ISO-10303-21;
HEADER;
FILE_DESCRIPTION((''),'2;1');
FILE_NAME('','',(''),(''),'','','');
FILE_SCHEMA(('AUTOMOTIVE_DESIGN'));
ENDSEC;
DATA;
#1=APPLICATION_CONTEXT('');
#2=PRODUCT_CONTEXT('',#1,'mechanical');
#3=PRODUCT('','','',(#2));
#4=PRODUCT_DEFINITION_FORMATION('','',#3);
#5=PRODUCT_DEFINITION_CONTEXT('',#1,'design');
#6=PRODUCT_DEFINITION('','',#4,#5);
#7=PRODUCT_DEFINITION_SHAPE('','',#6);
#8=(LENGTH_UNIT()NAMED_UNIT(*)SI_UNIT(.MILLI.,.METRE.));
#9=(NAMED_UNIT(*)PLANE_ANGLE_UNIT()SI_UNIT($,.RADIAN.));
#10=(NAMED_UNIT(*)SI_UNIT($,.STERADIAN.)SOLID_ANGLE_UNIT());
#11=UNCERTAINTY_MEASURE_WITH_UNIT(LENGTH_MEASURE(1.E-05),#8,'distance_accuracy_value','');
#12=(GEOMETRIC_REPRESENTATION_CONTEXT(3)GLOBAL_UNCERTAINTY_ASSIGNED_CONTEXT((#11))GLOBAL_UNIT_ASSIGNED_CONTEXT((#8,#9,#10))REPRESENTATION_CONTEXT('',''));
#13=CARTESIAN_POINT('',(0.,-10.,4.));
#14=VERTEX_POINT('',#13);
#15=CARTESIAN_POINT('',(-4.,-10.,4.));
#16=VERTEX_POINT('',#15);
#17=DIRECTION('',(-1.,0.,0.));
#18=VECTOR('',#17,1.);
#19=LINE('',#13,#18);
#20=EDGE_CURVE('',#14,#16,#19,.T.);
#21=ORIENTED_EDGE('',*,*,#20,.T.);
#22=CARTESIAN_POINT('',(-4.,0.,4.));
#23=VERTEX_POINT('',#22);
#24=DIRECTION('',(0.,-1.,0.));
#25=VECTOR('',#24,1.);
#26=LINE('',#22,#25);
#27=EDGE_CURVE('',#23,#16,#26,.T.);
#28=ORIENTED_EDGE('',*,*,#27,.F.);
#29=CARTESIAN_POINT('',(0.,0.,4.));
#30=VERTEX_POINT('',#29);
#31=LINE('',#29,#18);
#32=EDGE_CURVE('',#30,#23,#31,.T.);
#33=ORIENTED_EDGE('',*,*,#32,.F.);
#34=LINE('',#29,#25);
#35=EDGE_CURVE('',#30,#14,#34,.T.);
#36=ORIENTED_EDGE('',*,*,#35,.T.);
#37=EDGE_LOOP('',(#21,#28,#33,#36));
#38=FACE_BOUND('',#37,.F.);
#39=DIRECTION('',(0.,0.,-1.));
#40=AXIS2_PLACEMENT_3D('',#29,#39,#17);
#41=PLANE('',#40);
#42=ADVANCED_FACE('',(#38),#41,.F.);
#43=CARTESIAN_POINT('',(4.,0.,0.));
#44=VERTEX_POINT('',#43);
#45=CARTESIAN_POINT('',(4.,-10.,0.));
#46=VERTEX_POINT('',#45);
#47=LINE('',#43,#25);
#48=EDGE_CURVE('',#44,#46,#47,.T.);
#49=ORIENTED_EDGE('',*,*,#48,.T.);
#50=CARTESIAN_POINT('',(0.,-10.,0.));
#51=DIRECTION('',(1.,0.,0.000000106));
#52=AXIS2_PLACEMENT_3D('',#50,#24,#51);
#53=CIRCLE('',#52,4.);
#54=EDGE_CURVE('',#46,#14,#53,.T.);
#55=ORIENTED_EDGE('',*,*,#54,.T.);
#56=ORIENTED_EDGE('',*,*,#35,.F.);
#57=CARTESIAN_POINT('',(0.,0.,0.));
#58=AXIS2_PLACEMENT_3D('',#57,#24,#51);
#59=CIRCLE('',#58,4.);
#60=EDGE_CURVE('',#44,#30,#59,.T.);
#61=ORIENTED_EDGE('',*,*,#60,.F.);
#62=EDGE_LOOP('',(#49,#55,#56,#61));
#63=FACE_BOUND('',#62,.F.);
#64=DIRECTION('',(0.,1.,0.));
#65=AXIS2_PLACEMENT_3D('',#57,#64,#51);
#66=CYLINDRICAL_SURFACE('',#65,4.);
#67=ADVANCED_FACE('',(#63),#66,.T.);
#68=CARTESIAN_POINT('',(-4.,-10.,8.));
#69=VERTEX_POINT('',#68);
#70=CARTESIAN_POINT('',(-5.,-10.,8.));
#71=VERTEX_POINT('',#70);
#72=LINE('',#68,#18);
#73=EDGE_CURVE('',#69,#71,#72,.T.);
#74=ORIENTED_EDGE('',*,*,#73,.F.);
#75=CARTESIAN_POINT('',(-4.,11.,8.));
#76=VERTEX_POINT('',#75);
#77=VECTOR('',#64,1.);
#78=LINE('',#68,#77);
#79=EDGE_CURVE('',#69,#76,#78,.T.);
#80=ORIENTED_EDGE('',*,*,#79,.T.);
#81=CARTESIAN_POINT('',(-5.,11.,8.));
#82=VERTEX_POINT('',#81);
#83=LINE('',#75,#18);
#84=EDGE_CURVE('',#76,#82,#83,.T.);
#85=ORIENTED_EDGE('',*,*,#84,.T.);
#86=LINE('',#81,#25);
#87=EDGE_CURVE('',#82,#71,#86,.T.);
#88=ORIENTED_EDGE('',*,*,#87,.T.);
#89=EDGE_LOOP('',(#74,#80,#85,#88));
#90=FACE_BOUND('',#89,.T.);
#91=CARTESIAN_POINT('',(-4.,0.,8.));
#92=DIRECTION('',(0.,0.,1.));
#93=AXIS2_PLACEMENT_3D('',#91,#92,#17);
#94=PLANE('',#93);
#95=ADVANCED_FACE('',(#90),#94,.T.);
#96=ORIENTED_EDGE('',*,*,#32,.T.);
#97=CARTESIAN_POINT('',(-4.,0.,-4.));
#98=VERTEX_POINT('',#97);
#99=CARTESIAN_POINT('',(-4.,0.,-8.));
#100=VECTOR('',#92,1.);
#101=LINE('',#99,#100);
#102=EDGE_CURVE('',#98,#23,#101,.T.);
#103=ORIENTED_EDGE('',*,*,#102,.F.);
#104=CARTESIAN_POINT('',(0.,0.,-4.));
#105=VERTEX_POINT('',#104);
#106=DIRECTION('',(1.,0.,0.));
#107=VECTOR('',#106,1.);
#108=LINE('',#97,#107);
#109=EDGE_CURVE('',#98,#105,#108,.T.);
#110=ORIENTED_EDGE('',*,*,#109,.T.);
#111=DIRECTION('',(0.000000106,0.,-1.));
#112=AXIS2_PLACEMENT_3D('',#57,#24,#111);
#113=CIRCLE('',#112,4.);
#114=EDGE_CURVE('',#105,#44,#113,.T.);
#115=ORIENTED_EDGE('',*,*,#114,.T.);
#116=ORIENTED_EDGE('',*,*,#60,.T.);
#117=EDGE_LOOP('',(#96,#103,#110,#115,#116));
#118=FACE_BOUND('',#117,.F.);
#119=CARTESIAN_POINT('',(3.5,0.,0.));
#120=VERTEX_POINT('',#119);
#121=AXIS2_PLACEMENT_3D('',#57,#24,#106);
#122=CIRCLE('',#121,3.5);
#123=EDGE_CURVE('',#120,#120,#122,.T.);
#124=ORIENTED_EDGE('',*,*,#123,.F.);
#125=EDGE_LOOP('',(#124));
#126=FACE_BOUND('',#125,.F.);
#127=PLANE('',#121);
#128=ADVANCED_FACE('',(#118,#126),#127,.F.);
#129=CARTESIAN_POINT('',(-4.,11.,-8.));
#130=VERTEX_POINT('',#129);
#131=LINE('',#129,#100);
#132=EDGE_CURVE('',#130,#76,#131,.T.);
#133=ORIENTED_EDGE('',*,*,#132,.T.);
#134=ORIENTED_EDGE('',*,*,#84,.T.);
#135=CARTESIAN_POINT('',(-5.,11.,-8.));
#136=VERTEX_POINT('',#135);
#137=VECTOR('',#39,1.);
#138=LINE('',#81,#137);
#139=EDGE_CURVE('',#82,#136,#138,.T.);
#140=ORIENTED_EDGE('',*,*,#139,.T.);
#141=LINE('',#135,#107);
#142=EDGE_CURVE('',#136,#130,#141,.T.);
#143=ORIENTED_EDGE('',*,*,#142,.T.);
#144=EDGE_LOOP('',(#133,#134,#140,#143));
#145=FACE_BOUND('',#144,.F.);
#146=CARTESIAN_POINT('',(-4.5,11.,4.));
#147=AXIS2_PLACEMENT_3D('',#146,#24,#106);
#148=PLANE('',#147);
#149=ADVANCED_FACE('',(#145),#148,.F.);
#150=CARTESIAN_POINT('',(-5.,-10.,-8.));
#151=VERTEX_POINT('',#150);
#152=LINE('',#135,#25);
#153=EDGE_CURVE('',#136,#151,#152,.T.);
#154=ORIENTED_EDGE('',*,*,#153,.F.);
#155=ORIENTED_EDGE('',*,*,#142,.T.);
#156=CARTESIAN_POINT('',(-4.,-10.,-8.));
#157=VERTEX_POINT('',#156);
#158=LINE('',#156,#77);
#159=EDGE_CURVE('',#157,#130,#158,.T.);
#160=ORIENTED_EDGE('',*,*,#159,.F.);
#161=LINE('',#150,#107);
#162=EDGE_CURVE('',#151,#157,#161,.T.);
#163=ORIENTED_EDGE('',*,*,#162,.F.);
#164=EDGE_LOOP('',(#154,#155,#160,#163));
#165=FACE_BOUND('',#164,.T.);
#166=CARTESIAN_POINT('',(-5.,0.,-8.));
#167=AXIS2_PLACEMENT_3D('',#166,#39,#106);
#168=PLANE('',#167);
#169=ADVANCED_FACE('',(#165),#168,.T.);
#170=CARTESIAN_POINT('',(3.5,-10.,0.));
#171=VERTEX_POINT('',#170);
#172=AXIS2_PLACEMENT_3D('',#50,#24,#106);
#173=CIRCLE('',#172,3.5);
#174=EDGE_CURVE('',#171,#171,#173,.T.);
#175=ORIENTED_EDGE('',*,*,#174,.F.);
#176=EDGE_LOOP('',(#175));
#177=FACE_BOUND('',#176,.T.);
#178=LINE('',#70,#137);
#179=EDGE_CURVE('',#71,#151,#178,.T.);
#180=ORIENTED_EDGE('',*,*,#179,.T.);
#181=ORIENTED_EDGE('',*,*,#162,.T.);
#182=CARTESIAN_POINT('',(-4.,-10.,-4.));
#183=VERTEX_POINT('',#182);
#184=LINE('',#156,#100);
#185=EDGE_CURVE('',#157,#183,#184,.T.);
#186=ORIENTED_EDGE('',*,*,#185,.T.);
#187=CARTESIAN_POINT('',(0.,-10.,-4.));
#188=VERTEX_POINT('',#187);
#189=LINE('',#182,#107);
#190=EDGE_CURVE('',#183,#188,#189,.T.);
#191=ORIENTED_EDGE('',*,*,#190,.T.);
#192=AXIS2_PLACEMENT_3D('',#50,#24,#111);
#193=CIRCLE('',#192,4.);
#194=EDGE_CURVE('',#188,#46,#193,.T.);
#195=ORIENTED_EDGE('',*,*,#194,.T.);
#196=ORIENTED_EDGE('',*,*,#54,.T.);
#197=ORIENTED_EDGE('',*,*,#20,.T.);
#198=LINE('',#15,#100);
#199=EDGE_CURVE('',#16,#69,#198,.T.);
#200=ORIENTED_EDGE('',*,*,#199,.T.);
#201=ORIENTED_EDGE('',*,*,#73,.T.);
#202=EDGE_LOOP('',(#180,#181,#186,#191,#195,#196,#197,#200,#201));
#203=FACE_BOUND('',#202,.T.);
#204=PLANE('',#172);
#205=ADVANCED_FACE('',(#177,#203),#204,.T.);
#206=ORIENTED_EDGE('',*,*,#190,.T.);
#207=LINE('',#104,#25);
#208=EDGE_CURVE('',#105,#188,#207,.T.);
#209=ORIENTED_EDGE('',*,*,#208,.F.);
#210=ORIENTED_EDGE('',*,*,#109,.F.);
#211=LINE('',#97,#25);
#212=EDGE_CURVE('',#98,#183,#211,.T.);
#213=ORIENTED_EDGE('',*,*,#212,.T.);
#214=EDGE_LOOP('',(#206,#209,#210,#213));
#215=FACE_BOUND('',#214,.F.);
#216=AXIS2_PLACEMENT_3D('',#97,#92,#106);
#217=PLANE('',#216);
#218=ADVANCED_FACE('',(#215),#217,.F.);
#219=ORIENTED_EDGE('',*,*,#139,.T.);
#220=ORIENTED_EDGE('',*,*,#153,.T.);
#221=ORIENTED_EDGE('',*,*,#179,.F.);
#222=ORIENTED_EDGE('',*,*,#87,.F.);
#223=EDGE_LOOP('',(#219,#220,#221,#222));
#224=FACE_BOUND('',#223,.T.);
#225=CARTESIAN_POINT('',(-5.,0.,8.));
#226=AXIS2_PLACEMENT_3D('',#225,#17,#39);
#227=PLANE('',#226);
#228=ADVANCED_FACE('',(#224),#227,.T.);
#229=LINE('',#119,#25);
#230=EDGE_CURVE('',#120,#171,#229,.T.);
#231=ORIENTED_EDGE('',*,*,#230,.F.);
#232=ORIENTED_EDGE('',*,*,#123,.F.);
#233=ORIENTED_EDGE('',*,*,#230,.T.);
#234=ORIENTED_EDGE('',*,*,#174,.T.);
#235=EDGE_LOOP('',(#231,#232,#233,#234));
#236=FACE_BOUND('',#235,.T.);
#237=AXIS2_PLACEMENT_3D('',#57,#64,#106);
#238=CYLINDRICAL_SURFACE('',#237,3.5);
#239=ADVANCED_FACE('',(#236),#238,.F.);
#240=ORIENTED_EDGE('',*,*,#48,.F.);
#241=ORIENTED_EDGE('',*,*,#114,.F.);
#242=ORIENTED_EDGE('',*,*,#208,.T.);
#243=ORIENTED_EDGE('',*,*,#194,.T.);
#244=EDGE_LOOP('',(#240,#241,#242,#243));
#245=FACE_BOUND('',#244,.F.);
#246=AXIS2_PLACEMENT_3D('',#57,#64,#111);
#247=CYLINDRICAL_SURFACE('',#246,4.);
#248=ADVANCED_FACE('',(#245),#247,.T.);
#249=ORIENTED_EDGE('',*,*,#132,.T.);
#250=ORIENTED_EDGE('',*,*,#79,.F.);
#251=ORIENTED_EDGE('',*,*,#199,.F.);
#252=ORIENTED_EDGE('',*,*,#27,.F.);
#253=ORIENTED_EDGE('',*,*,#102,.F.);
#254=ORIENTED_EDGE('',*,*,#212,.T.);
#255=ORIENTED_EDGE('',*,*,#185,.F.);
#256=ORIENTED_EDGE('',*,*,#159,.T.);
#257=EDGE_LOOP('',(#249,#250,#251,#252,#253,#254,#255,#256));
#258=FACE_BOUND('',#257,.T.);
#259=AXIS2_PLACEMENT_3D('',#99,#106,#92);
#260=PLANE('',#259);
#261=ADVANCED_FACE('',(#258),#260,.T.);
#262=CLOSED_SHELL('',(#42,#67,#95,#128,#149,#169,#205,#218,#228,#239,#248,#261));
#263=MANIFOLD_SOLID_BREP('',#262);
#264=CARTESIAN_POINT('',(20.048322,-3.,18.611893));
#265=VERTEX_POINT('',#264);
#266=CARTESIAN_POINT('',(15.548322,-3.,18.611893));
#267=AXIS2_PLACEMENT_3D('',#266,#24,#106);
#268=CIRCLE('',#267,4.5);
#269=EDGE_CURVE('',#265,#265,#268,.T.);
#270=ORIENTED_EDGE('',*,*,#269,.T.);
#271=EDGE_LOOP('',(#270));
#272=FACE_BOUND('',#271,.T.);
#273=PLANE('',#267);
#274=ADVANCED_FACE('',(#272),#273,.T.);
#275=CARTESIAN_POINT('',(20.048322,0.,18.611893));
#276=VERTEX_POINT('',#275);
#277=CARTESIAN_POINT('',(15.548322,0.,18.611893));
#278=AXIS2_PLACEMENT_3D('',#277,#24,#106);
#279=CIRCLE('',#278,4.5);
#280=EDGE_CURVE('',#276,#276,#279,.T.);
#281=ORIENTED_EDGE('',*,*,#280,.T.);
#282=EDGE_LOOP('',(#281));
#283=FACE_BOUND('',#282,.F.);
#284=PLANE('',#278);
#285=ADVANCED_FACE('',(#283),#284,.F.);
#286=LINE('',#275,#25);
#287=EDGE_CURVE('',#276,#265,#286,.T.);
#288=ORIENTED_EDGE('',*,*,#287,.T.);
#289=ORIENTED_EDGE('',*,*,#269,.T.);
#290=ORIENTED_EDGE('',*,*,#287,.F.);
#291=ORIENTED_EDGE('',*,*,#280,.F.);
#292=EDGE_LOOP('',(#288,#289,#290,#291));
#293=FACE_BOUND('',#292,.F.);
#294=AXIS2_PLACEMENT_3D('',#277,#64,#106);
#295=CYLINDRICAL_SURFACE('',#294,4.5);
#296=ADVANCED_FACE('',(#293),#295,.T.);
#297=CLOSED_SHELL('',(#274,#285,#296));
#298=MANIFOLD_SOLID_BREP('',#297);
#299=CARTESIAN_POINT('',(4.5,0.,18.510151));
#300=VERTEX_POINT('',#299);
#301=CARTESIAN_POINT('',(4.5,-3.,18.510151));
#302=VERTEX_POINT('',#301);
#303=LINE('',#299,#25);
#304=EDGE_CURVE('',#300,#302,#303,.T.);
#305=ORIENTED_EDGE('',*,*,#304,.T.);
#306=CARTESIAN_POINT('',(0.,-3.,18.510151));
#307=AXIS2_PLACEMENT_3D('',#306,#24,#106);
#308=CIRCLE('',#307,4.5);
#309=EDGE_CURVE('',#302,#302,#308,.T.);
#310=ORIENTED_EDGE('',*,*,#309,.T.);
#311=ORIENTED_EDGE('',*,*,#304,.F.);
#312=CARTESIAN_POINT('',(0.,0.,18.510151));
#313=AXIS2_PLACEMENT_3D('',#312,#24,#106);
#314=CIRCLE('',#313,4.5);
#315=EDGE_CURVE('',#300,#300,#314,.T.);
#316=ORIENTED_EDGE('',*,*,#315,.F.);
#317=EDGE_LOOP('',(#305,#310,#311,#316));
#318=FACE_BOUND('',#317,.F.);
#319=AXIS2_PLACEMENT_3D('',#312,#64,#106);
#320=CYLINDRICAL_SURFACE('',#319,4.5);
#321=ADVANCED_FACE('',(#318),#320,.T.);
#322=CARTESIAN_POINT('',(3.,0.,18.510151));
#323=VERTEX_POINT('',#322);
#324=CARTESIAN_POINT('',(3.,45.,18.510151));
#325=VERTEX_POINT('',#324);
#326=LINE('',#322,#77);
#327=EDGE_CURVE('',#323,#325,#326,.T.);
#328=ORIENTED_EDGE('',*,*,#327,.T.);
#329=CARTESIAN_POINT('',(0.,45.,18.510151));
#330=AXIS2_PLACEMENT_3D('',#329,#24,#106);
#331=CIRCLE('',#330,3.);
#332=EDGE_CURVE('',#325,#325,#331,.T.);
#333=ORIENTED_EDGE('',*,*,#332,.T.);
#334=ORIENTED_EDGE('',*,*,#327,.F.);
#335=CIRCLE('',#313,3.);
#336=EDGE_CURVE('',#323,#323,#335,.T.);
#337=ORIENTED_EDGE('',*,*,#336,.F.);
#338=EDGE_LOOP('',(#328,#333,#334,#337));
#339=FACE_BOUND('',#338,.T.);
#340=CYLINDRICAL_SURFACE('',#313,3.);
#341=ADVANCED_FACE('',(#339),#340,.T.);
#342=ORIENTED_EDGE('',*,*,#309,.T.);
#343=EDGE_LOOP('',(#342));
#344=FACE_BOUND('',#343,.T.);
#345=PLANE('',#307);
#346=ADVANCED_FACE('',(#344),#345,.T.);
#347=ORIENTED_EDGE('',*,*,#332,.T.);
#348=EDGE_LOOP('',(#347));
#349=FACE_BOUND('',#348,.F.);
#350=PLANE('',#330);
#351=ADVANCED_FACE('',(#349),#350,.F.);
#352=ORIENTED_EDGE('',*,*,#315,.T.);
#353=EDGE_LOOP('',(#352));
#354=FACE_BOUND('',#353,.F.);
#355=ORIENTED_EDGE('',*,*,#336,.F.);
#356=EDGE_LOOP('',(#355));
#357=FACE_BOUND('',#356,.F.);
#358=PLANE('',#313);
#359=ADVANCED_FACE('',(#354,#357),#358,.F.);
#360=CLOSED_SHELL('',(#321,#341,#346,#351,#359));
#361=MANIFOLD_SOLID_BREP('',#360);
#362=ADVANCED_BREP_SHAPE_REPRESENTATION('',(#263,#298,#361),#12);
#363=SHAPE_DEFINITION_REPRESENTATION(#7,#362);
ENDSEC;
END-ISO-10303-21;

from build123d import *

# Parameters (mm, degrees)
F0_R     = 3.5
F1_DEPTH = 10
F2_DEPTH = 11
F3_R     = 4.5
F3_R_2   = 3
F4_DEPTH = 3
F5_DEPTH = 45


with BuildPart() as f1:
    # F0 (on Front) → F1 (new body)
    with BuildSketch(Plane.XZ):
        with BuildLine():
            ThreePointArc((0, -4), (2.828427, -2.828427), (4, 0))
            ThreePointArc((4, 0), (2.828427, 2.828427), (0, 4))
            ThreePointArc((0, 4), (-2.828427, 2.828427), (-4, 0))
            ThreePointArc((-4, 0), (-2.828427, -2.828427), (0, -4))
        make_face()
        Circle(F0_R, mode=Mode.SUBTRACT)
        with BuildLine():
            ThreePointArc((-4, 0), (-2.828427, 2.828427), (0, 4))
            Line((0, 4), (-4, 4))
            Line((-4, 4), (-4, 0))
        make_face()
        with BuildLine():
            Line((-4, -4), (0, -4))
            ThreePointArc((0, -4), (-2.828427, -2.828427), (-4, 0))
            Line((-4, 0), (-4, -4))
        make_face()
        Polygon((-4, -4), (-4, 0), (-5, 0), (-5, -8), (-4, -8), align=None)
        Polygon((-5, 0), (-4, 0), (-4, 4), (-4, 8), (-5, 8), align=None)
    extrude(amount=F1_DEPTH)

    # F0 (on Front) → F2 (join)
    with BuildSketch(Plane.XZ):
        Polygon((-5, 0), (-4, 0), (-4, 4), (-4, 8), (-5, 8), align=None)
        Polygon((-4, -4), (-4, 0), (-5, 0), (-5, -8), (-4, -8), align=None)
    extrude(amount=-F2_DEPTH)


with BuildPart() as f4:
    # F3 (on Front) → F4 (new body)
    with BuildSketch(Plane.XZ):
        with Locations((0, 18.510151)):
            Circle(F3_R)
        with Locations((0, 18.510151)):
            Circle(F3_R_2, mode=Mode.SUBTRACT)
        with Locations((15.548322, 18.611893)):
            Circle(F3_R)
        with Locations((0, 18.510151)):
            Circle(F3_R_2)
    extrude(amount=F4_DEPTH)

    # F3 (on Front) → F5 (join)
    with BuildSketch(Plane.XZ):
        with Locations((0, 18.510151)):
            Circle(F3_R_2)
    extrude(amount=-F5_DEPTH)


solid = Compound([f1.part, f4.part])
